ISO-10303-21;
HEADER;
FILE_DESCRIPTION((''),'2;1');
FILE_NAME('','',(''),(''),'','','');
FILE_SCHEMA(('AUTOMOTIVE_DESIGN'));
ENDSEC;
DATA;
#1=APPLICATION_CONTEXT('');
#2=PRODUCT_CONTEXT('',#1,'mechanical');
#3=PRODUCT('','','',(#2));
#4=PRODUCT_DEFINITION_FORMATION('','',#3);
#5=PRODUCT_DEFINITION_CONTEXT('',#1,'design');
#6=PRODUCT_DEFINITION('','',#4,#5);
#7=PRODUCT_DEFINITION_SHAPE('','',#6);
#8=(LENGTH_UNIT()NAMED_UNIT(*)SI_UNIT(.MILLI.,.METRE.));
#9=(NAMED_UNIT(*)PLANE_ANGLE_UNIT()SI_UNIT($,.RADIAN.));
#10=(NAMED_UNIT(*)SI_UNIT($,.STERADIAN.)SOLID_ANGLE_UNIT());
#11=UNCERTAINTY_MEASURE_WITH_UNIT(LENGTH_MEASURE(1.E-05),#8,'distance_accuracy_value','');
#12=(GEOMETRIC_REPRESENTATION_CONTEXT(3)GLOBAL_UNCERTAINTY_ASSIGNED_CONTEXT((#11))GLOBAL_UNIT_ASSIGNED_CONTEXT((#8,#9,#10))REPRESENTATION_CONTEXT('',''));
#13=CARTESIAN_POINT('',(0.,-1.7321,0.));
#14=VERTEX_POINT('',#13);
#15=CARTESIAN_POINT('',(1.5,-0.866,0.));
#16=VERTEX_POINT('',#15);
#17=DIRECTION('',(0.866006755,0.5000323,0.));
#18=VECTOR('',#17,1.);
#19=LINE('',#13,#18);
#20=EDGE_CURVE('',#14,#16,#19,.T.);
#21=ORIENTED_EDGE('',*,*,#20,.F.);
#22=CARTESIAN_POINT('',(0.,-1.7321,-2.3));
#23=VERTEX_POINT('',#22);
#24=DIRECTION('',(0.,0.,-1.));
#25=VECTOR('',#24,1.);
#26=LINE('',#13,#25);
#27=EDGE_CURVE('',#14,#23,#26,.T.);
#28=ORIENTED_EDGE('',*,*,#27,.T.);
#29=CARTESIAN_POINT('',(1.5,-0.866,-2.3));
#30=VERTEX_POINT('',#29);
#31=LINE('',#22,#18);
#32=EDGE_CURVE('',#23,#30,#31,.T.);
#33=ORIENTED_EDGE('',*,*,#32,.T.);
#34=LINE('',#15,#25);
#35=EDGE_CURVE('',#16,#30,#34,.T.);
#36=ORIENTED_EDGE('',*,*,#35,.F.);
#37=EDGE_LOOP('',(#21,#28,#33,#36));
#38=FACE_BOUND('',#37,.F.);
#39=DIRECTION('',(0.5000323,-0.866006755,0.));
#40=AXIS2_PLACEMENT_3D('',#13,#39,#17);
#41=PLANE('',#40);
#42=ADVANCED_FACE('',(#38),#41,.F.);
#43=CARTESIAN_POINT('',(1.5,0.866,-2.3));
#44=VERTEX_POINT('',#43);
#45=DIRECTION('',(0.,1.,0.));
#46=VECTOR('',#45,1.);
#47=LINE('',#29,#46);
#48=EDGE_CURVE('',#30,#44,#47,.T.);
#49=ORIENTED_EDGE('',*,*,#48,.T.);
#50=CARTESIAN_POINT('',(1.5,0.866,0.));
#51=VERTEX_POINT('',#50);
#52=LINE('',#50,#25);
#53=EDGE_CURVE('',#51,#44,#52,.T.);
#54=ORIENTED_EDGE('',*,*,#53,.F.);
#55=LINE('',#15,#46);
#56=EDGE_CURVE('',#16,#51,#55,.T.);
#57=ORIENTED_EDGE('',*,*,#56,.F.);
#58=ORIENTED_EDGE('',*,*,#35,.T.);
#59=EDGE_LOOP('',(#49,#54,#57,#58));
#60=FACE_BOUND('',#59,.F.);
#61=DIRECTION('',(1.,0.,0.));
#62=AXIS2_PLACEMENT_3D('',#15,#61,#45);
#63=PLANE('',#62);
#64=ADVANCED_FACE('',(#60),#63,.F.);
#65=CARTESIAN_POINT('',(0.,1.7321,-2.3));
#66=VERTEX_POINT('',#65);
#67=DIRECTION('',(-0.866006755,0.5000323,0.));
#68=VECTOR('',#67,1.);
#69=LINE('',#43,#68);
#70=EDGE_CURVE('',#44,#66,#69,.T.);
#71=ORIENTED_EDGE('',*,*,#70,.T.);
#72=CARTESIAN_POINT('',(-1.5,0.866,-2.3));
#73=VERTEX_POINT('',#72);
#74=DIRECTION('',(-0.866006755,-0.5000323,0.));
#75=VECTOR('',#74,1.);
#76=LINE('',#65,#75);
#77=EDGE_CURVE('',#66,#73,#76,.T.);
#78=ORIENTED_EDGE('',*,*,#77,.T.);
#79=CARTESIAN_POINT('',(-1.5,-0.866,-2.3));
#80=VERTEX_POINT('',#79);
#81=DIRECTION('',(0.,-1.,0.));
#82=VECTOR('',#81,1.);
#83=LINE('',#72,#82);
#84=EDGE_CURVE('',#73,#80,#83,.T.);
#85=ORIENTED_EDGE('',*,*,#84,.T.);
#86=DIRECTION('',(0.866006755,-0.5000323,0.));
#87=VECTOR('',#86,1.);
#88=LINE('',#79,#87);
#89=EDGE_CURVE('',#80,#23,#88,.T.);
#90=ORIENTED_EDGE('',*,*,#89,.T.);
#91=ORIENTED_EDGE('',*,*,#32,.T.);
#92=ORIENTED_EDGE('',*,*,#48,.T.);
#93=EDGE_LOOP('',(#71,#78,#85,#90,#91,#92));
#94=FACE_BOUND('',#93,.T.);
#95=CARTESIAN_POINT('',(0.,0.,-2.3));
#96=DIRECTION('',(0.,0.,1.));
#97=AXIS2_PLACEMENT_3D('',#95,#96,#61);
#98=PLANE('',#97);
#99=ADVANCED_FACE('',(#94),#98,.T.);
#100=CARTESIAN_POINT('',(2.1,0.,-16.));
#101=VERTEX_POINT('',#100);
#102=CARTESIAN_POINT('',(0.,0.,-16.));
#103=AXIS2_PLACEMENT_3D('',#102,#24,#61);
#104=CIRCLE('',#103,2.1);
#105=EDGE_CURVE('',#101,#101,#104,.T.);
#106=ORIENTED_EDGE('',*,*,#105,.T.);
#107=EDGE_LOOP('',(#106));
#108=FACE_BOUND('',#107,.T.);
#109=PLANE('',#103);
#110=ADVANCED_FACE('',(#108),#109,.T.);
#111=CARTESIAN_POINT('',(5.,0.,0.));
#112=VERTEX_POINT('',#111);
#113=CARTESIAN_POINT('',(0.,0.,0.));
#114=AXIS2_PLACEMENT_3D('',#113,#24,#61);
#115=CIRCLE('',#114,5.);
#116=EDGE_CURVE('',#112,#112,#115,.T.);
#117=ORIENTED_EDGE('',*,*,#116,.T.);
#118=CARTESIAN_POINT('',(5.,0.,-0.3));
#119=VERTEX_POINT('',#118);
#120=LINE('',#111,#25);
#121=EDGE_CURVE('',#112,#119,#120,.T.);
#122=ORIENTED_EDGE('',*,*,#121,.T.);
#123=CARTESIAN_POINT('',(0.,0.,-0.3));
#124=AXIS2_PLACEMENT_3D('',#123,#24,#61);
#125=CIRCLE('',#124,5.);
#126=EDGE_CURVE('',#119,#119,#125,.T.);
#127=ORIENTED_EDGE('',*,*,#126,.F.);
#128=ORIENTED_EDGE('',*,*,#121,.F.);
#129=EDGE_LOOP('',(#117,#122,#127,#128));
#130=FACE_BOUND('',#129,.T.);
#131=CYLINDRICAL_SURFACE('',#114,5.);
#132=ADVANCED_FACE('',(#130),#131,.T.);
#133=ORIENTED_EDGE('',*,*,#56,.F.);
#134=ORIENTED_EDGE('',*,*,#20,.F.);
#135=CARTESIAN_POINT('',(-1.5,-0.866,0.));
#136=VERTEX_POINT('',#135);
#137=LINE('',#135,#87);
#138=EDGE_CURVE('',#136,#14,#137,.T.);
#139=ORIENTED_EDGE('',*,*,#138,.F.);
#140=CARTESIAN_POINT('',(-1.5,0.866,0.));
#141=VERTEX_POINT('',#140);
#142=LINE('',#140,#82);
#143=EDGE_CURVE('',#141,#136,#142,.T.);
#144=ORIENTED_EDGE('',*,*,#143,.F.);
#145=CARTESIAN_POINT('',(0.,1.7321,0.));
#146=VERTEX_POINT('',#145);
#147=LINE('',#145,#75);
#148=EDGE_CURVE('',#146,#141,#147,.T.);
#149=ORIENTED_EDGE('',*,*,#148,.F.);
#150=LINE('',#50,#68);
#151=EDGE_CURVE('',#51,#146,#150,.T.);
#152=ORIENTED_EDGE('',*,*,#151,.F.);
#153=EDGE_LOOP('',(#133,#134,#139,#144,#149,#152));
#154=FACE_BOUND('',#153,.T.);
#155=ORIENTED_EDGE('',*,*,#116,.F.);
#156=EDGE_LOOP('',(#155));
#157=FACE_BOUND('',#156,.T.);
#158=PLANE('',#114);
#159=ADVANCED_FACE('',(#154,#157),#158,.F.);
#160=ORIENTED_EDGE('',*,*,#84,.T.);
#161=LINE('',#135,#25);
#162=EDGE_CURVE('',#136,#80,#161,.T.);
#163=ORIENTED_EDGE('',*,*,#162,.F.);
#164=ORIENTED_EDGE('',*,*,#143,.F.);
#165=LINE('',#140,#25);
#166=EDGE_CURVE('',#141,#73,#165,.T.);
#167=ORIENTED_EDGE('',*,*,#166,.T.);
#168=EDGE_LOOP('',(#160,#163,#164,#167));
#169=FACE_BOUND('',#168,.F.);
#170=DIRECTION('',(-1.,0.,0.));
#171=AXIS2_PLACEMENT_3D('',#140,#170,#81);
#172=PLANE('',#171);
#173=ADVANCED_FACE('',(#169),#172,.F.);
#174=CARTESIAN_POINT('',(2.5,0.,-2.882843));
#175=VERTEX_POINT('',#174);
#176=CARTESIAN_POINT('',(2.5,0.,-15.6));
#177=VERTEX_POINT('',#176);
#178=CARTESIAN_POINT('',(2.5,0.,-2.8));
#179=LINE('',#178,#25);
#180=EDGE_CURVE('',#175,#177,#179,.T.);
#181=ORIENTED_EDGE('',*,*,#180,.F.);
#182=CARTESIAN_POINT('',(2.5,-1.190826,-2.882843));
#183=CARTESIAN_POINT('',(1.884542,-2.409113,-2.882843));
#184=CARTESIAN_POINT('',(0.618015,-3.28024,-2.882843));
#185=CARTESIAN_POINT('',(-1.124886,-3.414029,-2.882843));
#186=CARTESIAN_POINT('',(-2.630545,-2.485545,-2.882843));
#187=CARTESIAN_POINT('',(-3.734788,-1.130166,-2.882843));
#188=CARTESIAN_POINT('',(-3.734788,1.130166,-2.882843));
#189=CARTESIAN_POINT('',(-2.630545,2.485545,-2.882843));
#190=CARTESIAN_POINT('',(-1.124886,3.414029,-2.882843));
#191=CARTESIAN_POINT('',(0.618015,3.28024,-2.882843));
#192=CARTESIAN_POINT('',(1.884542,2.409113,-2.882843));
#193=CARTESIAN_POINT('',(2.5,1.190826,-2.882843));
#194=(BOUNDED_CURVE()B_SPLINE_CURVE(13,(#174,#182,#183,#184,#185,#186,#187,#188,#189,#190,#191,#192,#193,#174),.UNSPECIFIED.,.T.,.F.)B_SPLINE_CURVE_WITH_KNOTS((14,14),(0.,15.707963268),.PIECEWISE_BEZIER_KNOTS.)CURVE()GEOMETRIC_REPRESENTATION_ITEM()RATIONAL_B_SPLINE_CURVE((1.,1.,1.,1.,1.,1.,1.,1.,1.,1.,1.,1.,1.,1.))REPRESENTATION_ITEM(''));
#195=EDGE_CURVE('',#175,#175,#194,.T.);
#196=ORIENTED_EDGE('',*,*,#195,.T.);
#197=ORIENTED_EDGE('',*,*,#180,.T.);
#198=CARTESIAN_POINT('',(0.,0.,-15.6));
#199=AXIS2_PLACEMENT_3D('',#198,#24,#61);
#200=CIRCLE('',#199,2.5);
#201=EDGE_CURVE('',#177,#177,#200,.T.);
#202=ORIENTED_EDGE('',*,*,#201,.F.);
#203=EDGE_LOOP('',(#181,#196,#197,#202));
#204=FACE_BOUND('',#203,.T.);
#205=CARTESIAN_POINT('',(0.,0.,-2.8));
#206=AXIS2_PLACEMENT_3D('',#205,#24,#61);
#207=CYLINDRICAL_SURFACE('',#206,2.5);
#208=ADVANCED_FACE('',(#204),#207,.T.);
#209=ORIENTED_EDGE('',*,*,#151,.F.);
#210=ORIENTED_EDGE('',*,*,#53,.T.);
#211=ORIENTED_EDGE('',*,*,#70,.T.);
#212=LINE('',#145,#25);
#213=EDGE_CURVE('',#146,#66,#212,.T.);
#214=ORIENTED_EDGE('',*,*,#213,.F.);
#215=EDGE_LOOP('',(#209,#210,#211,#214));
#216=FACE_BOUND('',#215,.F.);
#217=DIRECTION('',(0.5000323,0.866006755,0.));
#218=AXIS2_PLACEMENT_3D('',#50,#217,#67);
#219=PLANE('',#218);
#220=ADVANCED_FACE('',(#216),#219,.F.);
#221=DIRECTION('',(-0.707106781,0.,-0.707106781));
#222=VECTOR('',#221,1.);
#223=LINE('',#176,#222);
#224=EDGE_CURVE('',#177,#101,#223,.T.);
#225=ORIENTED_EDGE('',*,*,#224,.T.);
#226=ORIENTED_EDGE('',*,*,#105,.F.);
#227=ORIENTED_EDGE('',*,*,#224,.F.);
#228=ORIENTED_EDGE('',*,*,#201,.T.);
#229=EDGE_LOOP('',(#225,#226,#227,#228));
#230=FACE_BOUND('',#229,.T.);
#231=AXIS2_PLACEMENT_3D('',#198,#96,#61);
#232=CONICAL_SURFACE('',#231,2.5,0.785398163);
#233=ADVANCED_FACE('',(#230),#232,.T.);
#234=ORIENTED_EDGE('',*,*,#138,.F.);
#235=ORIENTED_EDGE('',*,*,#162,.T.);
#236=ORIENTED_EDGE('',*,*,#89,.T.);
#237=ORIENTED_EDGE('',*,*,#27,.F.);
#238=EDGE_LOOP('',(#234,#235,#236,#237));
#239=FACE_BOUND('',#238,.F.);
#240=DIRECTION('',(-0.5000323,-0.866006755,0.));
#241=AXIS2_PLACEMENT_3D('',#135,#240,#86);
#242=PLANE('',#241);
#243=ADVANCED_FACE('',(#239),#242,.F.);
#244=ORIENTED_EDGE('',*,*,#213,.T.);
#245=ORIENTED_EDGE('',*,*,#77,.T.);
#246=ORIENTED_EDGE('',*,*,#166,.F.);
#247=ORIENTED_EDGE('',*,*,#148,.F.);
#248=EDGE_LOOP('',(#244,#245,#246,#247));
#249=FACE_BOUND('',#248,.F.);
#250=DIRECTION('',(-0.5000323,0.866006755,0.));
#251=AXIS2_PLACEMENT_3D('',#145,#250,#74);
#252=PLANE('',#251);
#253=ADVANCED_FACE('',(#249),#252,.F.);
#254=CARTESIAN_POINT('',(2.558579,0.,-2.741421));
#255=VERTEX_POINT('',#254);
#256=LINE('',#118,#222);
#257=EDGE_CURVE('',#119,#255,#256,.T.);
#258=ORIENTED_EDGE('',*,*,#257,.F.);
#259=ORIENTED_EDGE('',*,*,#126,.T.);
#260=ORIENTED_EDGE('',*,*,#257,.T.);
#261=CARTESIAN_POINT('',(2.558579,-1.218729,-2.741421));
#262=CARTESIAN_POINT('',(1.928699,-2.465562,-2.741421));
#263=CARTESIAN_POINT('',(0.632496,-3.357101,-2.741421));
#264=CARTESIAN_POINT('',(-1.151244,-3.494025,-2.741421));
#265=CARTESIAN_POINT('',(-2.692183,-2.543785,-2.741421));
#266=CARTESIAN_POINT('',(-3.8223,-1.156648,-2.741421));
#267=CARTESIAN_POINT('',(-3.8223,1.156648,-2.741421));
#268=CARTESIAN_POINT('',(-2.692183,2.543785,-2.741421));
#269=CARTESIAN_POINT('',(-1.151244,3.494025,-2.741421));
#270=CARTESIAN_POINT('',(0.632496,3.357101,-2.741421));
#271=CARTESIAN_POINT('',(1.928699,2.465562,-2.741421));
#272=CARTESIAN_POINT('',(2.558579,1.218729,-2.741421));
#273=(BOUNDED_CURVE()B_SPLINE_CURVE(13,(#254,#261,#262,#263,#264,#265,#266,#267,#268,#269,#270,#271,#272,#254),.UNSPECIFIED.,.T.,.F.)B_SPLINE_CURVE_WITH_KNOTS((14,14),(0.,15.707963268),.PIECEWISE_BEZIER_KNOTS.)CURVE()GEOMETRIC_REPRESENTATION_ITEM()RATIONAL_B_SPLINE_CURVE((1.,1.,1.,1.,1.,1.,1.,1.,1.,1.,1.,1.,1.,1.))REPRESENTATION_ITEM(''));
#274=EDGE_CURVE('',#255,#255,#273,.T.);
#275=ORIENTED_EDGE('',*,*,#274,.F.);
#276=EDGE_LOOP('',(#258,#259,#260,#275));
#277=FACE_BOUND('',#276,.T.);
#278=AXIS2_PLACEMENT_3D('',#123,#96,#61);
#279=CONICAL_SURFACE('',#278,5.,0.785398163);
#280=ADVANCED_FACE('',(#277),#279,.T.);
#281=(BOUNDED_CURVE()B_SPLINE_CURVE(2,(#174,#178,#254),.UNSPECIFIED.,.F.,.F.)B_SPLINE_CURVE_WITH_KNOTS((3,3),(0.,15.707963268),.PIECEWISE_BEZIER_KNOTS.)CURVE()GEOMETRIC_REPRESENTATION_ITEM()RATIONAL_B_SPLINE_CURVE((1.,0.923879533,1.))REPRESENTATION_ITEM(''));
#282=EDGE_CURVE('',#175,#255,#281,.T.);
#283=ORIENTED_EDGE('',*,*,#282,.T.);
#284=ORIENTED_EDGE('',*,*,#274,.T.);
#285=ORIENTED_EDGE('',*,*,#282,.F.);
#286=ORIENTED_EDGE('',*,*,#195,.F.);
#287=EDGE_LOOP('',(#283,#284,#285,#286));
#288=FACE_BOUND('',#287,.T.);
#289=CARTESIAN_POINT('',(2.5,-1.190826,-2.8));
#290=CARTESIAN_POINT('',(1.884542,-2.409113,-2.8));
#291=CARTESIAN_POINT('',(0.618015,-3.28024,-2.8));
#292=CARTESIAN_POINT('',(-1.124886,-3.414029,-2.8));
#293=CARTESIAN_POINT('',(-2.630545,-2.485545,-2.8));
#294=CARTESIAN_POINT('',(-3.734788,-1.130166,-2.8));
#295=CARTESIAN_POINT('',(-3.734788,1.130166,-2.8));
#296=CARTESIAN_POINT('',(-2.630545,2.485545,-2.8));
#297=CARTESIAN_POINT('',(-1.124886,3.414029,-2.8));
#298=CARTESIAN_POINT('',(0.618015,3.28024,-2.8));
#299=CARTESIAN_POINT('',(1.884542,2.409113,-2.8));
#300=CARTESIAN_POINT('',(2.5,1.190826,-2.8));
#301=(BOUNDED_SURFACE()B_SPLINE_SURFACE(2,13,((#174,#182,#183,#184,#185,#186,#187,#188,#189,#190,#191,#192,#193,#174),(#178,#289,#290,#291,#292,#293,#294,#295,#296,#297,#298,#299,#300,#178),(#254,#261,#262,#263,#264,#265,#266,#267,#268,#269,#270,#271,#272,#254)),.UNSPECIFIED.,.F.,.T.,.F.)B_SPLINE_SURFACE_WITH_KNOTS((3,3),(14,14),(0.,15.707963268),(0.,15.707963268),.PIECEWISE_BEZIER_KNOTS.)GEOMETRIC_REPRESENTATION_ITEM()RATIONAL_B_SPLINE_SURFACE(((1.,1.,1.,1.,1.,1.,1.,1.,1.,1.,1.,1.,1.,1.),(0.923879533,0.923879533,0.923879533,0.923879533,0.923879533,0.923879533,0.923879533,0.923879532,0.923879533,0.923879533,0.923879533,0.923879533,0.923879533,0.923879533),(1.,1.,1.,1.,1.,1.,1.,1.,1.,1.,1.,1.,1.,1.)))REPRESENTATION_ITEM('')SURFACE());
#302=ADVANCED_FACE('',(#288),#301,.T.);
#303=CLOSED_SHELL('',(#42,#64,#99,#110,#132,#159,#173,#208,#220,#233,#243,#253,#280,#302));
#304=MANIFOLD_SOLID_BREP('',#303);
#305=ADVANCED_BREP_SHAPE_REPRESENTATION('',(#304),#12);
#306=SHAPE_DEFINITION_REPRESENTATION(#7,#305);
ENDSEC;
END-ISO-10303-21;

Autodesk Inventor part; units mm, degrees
ref_plane "YZ Plane" through (0, 0, 0) normal (1, 0, 0) x (0, 1, 0)
sketch "Szkic1" plane through (0, 0, 0) normal (0, 1, 0) x (-1, 0, 0)
  point P0 (0, 0)
sketch "Szkic2" plane through (0, 0, 0) normal (0, 1, 0) x (-1, 0, 0)
  line L0 (-2.5, -16) -> (0, -16)
  line L1 (-2.5, -2.8) -> (-2.5, -16)
  line L2 (-5, -0.3) -> (-2.5, -2.8)
  line L3 (-5, 0) -> (-5, -0.3)
  line L4 (0, 0) -> (-5, 0)
  line L5 (0, -16) -> (0, 0)
  line L6 (0, -16) -> (0, 0)
  line L7 (0, -19.2) -> (0, 3.2) projected
  line L8 (1, 0) -> (-6, 0) projected
  dimension "d3" = 5
  dimension "d5" = 2.5
  dimension "d7" = 16
  dimension "ParC" = 0.3
  dimension "d22" = 0
  dimension "d23" = 0
  dimension "d43" = 45
revolve "Obrót1" add sketch "Szkic2" angle 360 about axis through (0, 0, -16) along (0, 0, -1)
sketch "Szkic3" plane through (0, 0, 0) normal (0, 0, 1) x (1, 0, 0)
  line L0 (-1.5, 0.866) -> (-1.5, -0.866)
  line L1 (0, 1.7321) -> (-1.5, 0.866)
  line L2 (1.5, 0.866) -> (0, 1.7321)
  line L3 (1.5, -0.866) -> (1.5, 0.866)
  line L4 (0, -1.7321) -> (1.5, -0.866)
  line L5 (-1.5, -0.866) -> (0, -1.7321)
  circle A0 centre (0, 0) radius 1.5 construction
  circle A1 centre (0, 0) radius 2.5 construction
  dimension "d11" = 3
  dimension "d13" = 120
  dimension "d15" = 120
extrude "Wyciągnięcie proste1" cut sketch "Szkic3" against normal blind 2.3
fillet "Zaokrąglenie1" radius 0.2 1 edges at (-2.5, 0, -2.8)
chamfer "Faza1" distance 0.4 angle 45 1 edges at (-2.5, 0, -16) measured on face at (-0.599, -2.4272, -11.6276)
thread "Gwint1" size "M5x0.8" class "6g" standard "ISO Metric profile" length 11.6
ref_plane "MSC_PF1" through (0, 0, 0) normal (1, 0, 0) x (0, 1, 0)
ref_plane "MSC_PT1" through (0, 0, 0) normal (0, 0, -1) x (-1, 0, 0)
equation "\"d3\" = 0.5 * dk"
equation "\"d5\" = 0.5 * NND"
equation "\"d7\" = NLG"
equation "\"d43\" = 0.5 * ang"
equation "\"d11\" = ParS"
equation "\"d16\" = ParT"
equation "\"d18\" = r"
equation "\"d19\" = 0.5 * PTC"
equation "\"d39\" = 0.5 * PTC"
equation "\"NND\" = 5"
equation "\"PTC\" = 0.8"
equation "\"ParK\" = 2.8"
equation "\"ParS\" = 3"
equation "\"ParT\" = 2.3"
equation "\"r\" = 0.2"
equation "\"NLG\" = 16"
equation "\"ang\" = 90deg"
equation "\"THREADDIA\" = NND"
equation "\"dk\" = 10"
properties part number "DIN 7991 - M5x16" material "Stal, miękka"
